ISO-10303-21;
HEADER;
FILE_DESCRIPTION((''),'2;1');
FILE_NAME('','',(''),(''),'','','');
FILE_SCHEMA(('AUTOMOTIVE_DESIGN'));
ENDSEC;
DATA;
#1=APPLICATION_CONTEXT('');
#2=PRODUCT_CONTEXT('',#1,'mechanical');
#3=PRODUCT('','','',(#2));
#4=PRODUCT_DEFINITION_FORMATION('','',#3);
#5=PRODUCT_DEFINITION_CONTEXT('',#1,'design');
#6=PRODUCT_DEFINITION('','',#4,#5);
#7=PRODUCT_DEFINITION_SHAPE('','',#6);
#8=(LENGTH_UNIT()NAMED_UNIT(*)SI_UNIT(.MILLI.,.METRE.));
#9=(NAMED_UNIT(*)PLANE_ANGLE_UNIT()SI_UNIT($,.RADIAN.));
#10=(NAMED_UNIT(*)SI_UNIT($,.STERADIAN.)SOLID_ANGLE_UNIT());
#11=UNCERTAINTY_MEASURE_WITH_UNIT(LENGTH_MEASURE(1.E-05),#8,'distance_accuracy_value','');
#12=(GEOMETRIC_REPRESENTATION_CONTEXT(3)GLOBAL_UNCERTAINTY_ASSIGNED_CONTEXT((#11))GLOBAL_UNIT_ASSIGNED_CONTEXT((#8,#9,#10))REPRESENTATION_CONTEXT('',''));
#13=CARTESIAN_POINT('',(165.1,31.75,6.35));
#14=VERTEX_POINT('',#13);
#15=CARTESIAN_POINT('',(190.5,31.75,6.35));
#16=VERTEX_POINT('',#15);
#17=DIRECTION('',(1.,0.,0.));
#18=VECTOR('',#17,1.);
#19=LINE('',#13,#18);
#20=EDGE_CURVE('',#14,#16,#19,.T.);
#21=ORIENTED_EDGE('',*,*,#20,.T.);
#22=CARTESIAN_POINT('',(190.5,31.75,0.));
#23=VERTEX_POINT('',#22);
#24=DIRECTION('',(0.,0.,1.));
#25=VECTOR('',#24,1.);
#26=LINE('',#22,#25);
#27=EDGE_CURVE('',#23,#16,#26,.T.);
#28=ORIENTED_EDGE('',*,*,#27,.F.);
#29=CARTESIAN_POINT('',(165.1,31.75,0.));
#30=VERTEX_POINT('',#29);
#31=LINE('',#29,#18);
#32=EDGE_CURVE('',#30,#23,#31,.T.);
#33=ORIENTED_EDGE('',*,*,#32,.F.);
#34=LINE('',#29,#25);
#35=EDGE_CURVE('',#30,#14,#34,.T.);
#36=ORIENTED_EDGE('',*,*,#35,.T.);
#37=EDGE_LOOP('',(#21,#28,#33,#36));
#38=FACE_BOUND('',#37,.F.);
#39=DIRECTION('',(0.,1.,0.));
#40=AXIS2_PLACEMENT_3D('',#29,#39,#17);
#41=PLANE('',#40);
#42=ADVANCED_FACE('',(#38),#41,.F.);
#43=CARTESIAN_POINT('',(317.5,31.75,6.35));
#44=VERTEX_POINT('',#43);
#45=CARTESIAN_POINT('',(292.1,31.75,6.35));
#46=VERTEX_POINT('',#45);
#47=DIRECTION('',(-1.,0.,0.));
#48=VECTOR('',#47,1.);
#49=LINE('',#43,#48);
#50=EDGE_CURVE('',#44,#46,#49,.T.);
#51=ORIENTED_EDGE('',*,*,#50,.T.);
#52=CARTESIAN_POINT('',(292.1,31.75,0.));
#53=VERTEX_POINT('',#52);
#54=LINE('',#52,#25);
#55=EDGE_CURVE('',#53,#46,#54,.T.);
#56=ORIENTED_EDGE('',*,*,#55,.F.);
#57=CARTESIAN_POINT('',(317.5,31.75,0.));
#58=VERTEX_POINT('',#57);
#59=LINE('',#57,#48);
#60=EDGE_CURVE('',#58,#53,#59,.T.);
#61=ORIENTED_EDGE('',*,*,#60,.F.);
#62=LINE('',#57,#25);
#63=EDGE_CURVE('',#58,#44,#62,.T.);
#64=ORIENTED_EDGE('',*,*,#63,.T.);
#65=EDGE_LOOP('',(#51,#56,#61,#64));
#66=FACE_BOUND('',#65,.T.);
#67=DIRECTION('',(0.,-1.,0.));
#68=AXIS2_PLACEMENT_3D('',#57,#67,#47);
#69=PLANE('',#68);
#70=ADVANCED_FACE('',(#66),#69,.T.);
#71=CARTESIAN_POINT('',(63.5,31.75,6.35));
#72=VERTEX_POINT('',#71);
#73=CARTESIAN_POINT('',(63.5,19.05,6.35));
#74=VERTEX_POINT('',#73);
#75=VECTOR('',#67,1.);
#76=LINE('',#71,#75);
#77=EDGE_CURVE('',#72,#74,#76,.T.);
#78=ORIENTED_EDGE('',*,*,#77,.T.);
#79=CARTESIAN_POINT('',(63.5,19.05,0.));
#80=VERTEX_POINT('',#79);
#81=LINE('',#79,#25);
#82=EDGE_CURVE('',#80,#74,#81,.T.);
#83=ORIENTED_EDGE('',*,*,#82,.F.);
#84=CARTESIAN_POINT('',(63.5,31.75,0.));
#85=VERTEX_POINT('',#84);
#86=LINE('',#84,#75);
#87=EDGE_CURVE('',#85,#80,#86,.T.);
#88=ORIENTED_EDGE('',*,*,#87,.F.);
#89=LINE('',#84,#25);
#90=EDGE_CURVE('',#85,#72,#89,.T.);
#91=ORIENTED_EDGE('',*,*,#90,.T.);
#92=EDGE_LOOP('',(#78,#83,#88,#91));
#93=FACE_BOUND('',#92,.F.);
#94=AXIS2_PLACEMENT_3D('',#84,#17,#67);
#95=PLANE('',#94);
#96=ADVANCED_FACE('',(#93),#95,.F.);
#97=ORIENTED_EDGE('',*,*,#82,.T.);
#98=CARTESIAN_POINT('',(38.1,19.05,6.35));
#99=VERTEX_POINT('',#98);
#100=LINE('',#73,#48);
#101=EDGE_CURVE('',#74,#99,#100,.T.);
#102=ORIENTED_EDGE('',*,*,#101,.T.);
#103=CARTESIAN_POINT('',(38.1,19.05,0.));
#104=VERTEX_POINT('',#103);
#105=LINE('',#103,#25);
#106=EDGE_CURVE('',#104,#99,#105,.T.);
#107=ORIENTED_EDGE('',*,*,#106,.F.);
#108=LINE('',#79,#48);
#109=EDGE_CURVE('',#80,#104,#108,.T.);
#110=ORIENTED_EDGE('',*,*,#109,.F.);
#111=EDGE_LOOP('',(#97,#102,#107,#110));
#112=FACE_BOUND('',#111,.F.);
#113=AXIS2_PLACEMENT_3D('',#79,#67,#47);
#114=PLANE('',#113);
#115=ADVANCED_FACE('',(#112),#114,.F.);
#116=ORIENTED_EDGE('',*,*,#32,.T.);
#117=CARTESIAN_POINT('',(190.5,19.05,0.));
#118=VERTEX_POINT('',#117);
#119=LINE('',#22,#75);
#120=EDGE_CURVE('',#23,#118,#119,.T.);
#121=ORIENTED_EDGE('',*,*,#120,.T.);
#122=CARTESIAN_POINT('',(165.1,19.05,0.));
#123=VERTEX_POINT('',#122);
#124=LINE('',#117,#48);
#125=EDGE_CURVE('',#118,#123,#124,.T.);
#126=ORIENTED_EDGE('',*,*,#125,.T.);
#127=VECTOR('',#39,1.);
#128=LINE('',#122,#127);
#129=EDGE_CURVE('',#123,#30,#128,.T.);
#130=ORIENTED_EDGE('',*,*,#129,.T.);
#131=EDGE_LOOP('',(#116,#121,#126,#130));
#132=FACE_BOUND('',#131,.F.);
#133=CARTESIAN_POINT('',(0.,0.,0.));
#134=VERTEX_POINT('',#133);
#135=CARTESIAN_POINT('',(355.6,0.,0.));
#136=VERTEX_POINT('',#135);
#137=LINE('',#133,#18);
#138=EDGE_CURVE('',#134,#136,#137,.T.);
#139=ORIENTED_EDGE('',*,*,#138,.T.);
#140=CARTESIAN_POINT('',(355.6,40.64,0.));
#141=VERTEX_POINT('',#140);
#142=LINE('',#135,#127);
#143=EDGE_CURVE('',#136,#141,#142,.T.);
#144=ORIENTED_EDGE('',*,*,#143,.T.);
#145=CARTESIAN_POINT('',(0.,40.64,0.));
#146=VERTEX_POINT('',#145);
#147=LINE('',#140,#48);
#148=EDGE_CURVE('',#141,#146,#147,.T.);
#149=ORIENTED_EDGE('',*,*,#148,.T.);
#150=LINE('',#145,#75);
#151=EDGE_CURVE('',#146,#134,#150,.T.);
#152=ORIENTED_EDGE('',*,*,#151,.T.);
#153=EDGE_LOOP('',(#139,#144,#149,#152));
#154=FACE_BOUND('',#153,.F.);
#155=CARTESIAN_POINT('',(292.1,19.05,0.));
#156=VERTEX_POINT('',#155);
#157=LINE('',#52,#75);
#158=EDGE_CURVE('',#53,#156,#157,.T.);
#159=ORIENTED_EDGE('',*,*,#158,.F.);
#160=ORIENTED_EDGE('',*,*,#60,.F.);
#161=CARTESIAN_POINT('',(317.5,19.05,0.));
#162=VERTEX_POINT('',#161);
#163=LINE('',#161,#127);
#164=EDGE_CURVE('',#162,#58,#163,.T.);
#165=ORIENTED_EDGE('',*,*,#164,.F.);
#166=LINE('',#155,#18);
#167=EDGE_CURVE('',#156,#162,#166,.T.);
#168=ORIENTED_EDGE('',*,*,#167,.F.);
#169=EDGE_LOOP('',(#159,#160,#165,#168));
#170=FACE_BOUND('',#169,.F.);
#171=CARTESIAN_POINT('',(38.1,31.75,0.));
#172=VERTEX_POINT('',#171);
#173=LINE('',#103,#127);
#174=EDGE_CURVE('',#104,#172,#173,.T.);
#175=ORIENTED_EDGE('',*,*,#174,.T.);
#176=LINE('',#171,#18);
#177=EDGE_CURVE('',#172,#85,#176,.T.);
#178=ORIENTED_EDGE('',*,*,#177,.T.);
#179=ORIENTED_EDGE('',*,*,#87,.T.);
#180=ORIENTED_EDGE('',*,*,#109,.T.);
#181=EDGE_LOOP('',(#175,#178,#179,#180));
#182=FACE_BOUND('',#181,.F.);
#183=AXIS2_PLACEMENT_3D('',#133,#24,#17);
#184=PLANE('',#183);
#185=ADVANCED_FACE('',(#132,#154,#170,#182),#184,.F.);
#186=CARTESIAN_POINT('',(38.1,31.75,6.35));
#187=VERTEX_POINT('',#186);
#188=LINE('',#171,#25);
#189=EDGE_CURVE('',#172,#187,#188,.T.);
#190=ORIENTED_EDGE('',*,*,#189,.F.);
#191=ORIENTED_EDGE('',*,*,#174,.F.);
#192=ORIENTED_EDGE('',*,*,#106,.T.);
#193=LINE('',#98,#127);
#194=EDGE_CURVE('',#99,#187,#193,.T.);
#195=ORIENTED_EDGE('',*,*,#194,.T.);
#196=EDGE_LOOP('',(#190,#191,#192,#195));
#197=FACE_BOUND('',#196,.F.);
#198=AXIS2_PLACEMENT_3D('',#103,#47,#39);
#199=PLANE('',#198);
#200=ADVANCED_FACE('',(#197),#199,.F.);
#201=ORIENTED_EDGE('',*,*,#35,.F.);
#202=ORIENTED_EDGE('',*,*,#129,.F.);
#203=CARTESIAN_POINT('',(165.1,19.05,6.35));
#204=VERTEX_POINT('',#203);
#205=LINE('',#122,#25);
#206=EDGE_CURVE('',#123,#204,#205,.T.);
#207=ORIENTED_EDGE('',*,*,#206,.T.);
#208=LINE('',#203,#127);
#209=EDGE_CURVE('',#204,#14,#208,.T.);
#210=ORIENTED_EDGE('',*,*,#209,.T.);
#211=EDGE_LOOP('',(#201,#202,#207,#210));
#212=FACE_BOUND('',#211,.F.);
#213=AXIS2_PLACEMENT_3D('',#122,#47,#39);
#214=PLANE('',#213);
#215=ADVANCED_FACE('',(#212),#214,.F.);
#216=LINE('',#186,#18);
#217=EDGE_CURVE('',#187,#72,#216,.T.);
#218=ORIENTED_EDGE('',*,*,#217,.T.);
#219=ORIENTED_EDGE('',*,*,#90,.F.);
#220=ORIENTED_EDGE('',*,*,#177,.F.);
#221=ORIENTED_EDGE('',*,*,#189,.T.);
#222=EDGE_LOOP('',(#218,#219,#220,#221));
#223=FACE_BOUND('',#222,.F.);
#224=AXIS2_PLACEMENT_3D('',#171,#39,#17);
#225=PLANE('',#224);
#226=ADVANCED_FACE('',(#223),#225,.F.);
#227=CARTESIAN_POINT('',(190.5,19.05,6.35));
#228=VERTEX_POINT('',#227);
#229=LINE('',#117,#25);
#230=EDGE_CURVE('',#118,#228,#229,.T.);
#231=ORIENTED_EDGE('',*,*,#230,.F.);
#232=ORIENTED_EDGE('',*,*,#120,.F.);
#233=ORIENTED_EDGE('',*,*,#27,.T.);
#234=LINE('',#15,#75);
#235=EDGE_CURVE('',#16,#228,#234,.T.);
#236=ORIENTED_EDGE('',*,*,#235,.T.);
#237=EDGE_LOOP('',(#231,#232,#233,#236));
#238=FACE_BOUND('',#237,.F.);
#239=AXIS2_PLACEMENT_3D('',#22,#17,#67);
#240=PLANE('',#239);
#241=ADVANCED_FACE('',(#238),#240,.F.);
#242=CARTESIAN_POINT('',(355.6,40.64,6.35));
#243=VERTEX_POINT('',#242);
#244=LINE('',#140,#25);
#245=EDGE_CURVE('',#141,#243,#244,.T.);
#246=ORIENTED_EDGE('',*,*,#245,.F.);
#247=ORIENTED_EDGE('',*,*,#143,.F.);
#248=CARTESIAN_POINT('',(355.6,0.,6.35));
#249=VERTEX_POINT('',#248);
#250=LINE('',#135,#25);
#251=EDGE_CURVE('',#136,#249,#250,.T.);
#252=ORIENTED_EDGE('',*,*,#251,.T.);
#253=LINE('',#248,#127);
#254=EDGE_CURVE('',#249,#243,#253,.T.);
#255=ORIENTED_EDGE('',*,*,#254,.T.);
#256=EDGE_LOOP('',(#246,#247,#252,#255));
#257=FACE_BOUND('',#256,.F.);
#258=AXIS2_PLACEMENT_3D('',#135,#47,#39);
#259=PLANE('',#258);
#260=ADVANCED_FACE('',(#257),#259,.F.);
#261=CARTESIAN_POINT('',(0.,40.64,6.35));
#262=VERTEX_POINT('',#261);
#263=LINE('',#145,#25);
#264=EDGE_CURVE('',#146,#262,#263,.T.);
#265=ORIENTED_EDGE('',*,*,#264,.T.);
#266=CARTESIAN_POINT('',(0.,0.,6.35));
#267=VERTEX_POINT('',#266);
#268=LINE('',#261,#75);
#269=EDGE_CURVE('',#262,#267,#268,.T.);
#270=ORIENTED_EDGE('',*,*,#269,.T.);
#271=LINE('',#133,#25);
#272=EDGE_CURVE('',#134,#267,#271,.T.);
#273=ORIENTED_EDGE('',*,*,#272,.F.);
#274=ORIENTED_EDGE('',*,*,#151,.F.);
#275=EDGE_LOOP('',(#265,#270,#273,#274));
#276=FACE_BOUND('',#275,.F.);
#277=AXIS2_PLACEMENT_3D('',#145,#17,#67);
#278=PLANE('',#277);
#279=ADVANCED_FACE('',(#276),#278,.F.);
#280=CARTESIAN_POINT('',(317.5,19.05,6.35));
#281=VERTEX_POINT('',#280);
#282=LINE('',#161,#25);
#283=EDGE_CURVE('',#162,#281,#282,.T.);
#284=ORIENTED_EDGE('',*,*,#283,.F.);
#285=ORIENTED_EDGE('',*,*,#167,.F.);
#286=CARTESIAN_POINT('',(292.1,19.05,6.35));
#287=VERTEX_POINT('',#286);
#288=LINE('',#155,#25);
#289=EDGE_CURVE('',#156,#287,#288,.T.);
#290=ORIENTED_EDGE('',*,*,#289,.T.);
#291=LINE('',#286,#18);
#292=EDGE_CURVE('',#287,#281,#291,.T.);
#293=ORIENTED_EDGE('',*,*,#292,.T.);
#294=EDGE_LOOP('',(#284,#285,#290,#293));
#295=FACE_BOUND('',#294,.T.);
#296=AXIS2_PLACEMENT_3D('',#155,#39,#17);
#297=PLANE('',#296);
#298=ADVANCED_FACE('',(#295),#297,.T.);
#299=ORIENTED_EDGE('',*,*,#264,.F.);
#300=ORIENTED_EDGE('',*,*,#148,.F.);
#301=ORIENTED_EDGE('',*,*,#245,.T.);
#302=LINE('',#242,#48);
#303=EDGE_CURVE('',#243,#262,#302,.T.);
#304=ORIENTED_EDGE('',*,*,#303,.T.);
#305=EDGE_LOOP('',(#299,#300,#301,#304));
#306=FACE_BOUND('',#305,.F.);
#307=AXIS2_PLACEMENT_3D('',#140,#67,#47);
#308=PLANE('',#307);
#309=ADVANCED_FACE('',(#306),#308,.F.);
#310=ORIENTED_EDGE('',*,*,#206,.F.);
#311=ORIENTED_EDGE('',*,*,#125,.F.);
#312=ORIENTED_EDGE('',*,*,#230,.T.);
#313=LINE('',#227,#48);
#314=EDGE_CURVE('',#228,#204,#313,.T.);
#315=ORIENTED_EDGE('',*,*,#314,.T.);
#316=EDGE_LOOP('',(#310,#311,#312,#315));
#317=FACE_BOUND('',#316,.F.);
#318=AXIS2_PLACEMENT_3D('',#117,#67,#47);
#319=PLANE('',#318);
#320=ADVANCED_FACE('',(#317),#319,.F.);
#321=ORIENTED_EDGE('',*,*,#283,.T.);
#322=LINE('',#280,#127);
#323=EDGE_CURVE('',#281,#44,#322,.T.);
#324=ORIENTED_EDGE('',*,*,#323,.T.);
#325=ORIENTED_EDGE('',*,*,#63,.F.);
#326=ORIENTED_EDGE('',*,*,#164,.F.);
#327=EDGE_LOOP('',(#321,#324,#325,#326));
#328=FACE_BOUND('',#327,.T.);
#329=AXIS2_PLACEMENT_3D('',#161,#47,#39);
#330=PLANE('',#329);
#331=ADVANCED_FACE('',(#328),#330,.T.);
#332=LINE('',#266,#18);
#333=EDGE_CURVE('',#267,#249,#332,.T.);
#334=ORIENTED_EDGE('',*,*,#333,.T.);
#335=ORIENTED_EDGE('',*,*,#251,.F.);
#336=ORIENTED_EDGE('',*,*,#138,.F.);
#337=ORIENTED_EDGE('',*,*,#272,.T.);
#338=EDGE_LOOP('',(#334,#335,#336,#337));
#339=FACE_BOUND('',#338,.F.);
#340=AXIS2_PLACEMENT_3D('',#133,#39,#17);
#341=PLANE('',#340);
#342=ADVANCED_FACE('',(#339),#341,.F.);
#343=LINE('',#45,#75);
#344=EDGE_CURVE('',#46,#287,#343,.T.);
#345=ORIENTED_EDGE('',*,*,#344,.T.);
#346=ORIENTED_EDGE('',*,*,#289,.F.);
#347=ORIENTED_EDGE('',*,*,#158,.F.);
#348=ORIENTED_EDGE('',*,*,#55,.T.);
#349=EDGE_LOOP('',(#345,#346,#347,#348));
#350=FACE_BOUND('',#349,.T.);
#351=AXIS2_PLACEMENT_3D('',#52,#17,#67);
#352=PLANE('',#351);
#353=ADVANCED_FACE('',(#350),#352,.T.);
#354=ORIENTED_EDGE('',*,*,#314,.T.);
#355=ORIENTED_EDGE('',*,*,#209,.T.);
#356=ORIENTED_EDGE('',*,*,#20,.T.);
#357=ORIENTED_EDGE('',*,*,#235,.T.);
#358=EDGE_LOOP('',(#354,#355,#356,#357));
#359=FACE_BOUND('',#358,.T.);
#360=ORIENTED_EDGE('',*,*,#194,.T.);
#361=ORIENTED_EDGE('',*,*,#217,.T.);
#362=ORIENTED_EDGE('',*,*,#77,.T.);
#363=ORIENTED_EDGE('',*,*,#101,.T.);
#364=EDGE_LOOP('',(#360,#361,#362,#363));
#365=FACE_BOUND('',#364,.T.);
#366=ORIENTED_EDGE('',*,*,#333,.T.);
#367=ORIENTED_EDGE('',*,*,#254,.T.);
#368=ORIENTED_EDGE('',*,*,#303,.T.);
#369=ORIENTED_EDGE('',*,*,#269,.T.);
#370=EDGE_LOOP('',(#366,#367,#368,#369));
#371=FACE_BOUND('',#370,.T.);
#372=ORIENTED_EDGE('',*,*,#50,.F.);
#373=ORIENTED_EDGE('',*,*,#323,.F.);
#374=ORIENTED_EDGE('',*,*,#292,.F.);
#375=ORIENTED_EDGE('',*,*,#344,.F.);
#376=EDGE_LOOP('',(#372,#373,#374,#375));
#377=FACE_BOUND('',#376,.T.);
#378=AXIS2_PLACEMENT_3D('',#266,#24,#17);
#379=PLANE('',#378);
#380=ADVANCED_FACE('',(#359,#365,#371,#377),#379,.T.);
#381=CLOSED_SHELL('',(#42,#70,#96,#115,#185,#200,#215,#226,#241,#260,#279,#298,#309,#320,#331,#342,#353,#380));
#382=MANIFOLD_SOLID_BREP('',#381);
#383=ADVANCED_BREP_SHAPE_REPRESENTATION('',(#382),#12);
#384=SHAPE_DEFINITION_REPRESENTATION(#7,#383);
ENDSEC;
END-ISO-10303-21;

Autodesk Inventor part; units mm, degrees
ref_plane "YZ Plane" through (0, 0, 0) normal (1, 0, 0) x (0, 1, 0)
ref_plane "XZ Plane" through (0, 0, 0) normal (0, 1, 0) x (-1, 0, 0)
ref_plane "XY Plane" through (0, 0, 0) normal (0, 0, 1) x (1, 0, 0)
sketch "Sketch1" plane through (0, 0, 0) normal (0, 0, 1) x (1, 0, 0)
  line L0 (0, 0) -> (355.6, 0)
  line L1 (355.6, 0) -> (355.6, 40.64)
  line L2 (355.6, 40.64) -> (0, 40.64)
  line L3 (0, 40.64) -> (0, 0)
  line L4 (0, 31.75) -> (355.6, 31.75) construction
  line L5 (38.1, 31.75) -> (63.5, 31.75)
  line L6 (63.5, 31.75) -> (63.5, 19.05)
  line L7 (63.5, 19.05) -> (38.1, 19.05)
  line L8 (38.1, 19.05) -> (38.1, 31.75)
  line L9 (317.5, 31.75) -> (292.1, 31.75)
  line L10 (292.1, 31.75) -> (292.1, 19.05)
  line L11 (292.1, 19.05) -> (317.5, 19.05)
  line L12 (317.5, 19.05) -> (317.5, 31.75)
  line L13 (165.1, 31.75) -> (190.5, 31.75)
  line L14 (190.5, 31.75) -> (190.5, 19.05)
  line L15 (190.5, 19.05) -> (165.1, 19.05)
  line L16 (165.1, 19.05) -> (165.1, 31.75)
  dimension "d0" = 355.6
  dimension "d1" = 40.64
  dimension "d2" = 8.89
  dimension "d3" = 25.4
  dimension "d4" = 12.7
  dimension "d5" = 38.1
  dimension "d6" = 25.4
  dimension "d7" = 12.7
  dimension "d8" = 25.4
  dimension "d9" = 12.7
  dimension "d10" = 38.1
  dimension "d11" = 165.1
extrude "Extrusion1" add sketch "Sketch1" along normal blind 6.35
properties part number "latchplate" material "Aluminum 6061"
